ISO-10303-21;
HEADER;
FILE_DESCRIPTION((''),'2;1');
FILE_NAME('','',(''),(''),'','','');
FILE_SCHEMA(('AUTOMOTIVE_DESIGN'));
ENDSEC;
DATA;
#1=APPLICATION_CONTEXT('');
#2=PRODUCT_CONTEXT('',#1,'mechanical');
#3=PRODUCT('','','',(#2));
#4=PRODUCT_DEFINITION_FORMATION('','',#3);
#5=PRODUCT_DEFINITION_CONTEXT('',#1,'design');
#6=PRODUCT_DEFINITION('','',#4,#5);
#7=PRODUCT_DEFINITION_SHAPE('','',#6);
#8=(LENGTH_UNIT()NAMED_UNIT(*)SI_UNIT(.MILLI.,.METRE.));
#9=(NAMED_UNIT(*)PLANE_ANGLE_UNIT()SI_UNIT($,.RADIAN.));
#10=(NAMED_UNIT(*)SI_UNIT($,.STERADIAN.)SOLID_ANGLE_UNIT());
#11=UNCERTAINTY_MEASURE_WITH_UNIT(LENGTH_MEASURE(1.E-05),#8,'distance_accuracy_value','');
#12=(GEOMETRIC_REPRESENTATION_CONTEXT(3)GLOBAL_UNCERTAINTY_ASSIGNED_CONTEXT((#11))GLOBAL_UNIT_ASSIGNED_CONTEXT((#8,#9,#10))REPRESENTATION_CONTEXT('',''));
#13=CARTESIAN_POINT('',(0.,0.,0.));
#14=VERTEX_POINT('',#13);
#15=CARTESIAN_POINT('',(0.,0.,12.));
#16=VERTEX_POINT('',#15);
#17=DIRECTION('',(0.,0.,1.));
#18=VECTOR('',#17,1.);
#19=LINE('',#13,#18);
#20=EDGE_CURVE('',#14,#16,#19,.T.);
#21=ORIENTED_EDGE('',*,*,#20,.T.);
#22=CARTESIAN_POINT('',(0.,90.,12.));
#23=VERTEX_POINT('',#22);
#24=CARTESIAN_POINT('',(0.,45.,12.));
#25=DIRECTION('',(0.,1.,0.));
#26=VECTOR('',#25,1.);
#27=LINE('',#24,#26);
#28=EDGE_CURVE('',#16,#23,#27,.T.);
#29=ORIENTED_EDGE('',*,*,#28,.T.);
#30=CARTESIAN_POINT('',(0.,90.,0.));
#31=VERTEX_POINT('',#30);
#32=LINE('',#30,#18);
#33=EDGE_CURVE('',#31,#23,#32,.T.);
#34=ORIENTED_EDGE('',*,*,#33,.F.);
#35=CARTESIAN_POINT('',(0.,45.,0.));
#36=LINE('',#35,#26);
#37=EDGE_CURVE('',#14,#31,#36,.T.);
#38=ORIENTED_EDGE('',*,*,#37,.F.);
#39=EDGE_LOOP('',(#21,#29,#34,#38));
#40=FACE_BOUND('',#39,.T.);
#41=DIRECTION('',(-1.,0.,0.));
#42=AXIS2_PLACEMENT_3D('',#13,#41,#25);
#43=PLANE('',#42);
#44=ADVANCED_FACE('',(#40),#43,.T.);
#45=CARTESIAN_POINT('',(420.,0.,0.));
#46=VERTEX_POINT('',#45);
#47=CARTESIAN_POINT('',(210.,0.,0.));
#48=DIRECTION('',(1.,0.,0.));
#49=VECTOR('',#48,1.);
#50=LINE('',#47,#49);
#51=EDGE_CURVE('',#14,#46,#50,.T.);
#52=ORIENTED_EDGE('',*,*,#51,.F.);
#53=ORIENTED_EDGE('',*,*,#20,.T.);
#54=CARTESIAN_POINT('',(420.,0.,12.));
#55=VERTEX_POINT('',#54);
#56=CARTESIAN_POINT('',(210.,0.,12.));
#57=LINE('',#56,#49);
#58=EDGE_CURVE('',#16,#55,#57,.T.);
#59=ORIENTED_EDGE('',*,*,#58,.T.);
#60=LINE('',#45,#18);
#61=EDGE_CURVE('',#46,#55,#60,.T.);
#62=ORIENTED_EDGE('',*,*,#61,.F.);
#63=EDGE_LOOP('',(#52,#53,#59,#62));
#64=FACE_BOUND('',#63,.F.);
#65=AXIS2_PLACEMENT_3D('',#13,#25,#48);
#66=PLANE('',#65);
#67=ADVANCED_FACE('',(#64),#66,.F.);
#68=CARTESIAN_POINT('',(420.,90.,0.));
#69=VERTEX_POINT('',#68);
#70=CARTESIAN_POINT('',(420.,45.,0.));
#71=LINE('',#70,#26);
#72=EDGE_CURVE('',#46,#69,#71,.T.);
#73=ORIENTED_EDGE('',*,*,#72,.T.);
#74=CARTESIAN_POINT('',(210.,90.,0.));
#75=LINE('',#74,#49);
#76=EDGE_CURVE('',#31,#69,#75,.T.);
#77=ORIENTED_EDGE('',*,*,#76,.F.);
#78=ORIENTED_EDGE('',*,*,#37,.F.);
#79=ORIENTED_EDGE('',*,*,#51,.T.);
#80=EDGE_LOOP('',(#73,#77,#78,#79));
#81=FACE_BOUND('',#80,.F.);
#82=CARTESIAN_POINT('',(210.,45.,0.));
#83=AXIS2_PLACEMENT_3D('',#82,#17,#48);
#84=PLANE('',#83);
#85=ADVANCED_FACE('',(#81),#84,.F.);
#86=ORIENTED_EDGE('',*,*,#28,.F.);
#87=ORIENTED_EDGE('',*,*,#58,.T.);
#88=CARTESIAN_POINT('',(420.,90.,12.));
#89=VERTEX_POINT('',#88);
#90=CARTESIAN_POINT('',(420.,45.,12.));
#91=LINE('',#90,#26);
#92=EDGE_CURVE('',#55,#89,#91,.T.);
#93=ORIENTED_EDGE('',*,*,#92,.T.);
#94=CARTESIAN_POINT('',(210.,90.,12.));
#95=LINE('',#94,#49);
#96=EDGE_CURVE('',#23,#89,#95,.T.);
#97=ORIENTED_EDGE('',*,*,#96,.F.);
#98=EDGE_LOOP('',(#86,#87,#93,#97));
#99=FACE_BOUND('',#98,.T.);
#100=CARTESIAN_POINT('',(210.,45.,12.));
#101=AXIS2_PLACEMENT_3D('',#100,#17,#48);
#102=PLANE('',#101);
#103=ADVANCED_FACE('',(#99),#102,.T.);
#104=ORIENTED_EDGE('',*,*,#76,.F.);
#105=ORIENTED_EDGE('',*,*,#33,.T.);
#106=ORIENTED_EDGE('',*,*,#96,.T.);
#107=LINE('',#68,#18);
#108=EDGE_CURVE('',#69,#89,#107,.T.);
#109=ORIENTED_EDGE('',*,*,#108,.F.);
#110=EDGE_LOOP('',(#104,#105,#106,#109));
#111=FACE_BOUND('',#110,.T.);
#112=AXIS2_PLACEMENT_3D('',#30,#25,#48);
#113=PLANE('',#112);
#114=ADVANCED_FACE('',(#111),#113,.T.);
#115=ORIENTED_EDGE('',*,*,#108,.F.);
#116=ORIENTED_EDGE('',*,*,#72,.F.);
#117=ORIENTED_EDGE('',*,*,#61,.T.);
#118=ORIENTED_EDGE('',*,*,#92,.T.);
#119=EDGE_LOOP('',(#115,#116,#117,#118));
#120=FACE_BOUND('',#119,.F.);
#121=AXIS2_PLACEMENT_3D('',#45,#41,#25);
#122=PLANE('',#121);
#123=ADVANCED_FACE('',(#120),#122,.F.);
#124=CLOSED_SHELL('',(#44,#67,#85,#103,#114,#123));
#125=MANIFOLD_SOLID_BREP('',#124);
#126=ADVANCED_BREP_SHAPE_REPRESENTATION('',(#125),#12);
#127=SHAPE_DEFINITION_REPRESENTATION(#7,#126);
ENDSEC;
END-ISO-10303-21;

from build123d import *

# Parameters (mm, degrees)
SKETCH_W  = 420
SKETCH_H  = 90
PAD_DEPTH = 12


with BuildPart() as part:
    # Sketch → Pad (new body)
    with BuildSketch(Plane.XY):
        with Locations((210, 45)):
            Rectangle(SKETCH_W, SKETCH_H)
    extrude(amount=PAD_DEPTH)


solid = part.part
